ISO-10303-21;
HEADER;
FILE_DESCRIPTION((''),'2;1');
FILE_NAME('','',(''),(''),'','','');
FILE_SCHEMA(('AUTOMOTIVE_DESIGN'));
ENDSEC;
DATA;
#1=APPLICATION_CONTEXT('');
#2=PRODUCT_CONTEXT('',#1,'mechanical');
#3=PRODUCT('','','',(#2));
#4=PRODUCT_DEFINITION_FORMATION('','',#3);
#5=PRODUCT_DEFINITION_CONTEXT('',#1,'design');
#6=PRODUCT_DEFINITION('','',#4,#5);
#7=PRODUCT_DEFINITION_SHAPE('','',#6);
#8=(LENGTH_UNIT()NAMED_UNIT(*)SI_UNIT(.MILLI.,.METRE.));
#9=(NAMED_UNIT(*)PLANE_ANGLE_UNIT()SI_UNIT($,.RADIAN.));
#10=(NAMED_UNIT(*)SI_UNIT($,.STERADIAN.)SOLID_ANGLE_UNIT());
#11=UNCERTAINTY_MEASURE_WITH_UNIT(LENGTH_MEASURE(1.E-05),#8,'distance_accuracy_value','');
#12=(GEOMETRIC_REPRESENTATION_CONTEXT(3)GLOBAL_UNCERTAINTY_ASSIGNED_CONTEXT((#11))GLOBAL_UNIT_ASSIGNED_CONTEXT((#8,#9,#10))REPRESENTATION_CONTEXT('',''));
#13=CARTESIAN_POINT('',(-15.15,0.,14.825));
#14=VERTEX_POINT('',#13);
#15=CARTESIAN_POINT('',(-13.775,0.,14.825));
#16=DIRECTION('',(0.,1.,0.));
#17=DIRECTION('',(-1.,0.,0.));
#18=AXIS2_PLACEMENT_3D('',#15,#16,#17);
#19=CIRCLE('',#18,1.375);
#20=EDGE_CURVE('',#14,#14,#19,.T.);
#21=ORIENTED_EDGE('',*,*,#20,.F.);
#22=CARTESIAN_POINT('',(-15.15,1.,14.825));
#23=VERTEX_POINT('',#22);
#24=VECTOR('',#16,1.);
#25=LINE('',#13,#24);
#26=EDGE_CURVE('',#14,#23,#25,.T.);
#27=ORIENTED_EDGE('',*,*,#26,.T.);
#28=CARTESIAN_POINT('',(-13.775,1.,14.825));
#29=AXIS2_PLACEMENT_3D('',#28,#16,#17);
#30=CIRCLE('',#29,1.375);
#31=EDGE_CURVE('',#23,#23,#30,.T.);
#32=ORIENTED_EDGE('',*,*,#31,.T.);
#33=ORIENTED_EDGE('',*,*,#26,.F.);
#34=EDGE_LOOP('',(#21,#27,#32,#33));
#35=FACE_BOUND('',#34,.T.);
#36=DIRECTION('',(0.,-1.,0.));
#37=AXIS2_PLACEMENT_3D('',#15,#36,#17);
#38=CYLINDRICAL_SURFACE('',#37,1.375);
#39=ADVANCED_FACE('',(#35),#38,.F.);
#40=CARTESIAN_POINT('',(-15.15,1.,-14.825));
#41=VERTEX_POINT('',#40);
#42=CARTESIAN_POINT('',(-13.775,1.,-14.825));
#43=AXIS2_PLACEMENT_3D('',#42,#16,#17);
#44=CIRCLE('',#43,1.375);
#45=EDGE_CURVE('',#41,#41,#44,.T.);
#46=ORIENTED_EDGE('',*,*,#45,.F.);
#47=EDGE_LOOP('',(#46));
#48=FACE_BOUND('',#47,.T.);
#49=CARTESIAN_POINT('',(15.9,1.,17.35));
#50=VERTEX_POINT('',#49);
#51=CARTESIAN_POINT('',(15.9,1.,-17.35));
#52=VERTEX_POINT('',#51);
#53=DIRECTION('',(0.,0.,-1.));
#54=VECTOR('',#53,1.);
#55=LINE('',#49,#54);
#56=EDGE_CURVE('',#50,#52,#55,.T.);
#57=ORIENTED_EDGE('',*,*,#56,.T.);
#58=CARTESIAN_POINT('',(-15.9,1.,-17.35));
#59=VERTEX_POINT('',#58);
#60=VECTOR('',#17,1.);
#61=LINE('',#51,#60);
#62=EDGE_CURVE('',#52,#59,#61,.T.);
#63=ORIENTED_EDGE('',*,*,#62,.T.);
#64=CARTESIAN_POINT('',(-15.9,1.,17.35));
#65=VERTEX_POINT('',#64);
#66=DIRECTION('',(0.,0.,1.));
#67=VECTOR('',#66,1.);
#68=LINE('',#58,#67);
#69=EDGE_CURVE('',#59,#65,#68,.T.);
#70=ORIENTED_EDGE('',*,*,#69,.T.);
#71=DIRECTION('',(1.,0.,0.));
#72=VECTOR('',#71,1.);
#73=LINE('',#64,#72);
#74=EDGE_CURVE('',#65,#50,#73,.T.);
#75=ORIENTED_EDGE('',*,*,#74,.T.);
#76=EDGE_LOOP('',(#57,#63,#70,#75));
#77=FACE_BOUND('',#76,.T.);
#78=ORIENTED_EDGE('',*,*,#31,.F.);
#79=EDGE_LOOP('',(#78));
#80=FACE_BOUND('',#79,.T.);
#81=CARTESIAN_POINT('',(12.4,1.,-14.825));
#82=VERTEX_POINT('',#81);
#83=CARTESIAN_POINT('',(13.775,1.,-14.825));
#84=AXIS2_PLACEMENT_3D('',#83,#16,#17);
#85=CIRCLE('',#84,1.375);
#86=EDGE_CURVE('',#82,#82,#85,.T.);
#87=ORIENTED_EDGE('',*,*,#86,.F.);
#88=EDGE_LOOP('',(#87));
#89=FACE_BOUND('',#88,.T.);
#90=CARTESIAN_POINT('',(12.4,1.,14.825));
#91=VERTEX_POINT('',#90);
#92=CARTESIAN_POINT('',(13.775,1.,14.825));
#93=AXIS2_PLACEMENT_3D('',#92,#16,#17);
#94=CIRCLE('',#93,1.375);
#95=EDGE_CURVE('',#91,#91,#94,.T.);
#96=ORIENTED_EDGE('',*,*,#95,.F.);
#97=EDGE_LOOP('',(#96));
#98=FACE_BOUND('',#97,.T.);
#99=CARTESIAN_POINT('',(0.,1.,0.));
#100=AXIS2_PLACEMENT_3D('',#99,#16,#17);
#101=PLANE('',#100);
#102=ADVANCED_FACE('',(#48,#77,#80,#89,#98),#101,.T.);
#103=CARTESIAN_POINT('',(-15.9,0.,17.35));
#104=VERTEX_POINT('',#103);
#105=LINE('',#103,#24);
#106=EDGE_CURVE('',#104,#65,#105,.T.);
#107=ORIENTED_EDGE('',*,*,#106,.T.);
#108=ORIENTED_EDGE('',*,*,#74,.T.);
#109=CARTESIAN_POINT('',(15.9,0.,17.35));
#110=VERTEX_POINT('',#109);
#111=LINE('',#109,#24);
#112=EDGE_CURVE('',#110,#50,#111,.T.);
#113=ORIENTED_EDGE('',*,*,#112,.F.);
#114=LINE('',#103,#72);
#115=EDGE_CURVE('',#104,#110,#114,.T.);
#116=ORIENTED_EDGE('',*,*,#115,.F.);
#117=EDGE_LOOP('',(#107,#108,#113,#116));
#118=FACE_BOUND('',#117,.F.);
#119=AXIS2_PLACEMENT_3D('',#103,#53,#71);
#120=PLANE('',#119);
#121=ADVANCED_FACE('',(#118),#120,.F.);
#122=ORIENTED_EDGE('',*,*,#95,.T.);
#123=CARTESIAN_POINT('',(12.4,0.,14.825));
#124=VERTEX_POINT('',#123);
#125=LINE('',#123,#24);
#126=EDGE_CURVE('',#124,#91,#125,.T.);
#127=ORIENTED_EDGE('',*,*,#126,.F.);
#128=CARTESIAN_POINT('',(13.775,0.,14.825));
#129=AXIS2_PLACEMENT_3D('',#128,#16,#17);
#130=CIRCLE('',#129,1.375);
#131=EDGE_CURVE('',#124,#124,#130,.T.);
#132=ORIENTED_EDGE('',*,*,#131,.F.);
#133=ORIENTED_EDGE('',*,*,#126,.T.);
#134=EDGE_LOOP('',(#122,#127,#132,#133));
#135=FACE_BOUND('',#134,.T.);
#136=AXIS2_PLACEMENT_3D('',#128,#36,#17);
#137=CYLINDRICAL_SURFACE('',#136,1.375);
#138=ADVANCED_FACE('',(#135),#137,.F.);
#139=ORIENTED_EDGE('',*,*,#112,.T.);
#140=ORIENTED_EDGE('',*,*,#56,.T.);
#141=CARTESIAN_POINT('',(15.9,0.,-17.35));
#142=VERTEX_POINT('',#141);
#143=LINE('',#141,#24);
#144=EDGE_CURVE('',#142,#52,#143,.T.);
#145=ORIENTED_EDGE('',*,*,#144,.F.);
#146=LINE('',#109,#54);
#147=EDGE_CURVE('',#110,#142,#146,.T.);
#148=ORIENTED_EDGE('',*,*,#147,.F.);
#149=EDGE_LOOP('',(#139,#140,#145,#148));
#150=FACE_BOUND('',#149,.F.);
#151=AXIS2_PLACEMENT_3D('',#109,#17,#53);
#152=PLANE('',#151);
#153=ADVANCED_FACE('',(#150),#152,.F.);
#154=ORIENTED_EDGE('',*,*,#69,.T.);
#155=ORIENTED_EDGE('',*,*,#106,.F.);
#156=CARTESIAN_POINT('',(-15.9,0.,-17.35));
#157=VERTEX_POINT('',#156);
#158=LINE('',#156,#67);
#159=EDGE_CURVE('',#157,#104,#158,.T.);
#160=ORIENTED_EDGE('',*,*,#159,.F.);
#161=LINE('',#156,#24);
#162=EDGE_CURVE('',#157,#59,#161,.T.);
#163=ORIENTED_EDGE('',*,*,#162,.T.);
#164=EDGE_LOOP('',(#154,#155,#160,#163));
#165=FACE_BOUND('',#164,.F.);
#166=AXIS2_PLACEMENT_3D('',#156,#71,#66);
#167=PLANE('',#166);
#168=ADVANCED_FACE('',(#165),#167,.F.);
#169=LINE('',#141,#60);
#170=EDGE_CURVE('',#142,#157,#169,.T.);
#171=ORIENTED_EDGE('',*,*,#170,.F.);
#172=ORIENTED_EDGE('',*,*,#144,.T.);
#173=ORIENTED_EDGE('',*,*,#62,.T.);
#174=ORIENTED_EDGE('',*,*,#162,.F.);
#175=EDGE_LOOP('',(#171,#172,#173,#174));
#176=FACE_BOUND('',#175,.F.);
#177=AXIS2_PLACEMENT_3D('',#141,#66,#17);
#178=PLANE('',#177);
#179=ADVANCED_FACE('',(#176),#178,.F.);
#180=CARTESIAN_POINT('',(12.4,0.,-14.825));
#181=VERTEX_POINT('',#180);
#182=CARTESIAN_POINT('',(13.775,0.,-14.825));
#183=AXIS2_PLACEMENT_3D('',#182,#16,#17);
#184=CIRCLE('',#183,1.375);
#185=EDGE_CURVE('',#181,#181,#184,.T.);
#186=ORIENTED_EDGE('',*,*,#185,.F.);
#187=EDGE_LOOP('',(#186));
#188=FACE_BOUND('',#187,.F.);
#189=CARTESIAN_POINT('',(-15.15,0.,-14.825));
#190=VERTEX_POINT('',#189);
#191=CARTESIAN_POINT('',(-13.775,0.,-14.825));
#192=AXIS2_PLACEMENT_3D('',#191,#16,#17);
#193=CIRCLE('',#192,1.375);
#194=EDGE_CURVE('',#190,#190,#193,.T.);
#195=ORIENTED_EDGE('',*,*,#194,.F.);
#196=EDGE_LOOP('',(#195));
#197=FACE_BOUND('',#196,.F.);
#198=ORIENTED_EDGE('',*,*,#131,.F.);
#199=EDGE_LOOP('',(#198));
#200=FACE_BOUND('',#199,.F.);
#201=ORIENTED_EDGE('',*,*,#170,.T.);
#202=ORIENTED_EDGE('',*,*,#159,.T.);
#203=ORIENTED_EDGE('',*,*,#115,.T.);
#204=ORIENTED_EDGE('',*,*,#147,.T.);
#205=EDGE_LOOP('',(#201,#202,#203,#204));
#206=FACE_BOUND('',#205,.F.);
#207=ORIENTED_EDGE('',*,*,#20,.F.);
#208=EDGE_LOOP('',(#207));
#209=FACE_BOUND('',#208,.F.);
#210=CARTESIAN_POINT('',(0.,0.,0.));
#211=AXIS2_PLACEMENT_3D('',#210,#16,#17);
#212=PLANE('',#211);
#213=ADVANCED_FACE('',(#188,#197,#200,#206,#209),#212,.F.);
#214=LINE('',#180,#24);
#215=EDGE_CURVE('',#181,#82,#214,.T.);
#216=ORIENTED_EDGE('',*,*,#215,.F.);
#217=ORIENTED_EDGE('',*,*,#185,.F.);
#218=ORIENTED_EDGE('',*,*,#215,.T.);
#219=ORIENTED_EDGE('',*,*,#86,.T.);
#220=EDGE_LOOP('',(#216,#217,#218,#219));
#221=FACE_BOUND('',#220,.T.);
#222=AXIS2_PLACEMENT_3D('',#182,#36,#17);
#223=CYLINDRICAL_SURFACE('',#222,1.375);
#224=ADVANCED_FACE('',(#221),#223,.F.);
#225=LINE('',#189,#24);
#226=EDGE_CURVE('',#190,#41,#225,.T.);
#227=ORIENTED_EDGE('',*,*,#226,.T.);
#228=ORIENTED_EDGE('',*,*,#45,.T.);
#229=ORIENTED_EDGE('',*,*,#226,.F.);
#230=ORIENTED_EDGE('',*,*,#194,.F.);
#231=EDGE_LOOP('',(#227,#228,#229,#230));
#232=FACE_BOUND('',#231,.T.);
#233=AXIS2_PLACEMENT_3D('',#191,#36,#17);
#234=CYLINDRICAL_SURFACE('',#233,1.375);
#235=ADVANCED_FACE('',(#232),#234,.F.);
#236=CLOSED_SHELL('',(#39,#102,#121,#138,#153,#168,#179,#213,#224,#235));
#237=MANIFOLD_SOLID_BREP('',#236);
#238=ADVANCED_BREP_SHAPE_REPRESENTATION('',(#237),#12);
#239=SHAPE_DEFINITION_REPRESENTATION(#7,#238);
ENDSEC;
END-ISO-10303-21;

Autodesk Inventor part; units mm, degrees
ref_plane "YZ Plane" through (0, 0, 0) normal (1, 0, 0) x (0, 1, 0)
ref_plane "XZ Plane" through (0, 0, 0) normal (0, 1, 0) x (-1, 0, 0)
ref_plane "XY Plane" through (0, 0, 0) normal (0, 0, 1) x (1, 0, 0)
sketch "Sketch1" plane through (0, 0, 0) normal (0, 1, 0) x (-1, 0, 0)
  line L0 (15.9, 17.35) -> (-15.9, 17.35)
  line L1 (-15.9, 17.35) -> (-15.9, -17.35)
  line L2 (-15.9, -17.35) -> (15.9, -17.35)
  line L3 (15.9, -17.35) -> (15.9, 17.35)
  line L4 (15.9, 17.35) -> (-15.9, -17.35) construction
  line L5 (-15.9, 17.35) -> (15.9, -17.35) construction
  circle A0 centre (13.775, 14.825) radius 1.375
  line L6 (0, 17.35) -> (0, -17.35) construction
  line L7 (15.9, 0) -> (-15.9, 0) construction
  circle A1 centre (13.775, -14.825) radius 1.375
  circle A2 centre (-13.775, 14.825) radius 1.375
  circle A3 centre (-13.775, -14.825) radius 1.375
  point P0 (0, 0)
  dimension "d0" = 31.8
  dimension "d1" = 34.7
  dimension "d2" = 2.75
  dimension "d3" = 2.125
  dimension "d4" = 2.525
extrude "Extrusion1" add sketch "Sketch1" along normal blind 1
properties part number "motordriver_footprint"
